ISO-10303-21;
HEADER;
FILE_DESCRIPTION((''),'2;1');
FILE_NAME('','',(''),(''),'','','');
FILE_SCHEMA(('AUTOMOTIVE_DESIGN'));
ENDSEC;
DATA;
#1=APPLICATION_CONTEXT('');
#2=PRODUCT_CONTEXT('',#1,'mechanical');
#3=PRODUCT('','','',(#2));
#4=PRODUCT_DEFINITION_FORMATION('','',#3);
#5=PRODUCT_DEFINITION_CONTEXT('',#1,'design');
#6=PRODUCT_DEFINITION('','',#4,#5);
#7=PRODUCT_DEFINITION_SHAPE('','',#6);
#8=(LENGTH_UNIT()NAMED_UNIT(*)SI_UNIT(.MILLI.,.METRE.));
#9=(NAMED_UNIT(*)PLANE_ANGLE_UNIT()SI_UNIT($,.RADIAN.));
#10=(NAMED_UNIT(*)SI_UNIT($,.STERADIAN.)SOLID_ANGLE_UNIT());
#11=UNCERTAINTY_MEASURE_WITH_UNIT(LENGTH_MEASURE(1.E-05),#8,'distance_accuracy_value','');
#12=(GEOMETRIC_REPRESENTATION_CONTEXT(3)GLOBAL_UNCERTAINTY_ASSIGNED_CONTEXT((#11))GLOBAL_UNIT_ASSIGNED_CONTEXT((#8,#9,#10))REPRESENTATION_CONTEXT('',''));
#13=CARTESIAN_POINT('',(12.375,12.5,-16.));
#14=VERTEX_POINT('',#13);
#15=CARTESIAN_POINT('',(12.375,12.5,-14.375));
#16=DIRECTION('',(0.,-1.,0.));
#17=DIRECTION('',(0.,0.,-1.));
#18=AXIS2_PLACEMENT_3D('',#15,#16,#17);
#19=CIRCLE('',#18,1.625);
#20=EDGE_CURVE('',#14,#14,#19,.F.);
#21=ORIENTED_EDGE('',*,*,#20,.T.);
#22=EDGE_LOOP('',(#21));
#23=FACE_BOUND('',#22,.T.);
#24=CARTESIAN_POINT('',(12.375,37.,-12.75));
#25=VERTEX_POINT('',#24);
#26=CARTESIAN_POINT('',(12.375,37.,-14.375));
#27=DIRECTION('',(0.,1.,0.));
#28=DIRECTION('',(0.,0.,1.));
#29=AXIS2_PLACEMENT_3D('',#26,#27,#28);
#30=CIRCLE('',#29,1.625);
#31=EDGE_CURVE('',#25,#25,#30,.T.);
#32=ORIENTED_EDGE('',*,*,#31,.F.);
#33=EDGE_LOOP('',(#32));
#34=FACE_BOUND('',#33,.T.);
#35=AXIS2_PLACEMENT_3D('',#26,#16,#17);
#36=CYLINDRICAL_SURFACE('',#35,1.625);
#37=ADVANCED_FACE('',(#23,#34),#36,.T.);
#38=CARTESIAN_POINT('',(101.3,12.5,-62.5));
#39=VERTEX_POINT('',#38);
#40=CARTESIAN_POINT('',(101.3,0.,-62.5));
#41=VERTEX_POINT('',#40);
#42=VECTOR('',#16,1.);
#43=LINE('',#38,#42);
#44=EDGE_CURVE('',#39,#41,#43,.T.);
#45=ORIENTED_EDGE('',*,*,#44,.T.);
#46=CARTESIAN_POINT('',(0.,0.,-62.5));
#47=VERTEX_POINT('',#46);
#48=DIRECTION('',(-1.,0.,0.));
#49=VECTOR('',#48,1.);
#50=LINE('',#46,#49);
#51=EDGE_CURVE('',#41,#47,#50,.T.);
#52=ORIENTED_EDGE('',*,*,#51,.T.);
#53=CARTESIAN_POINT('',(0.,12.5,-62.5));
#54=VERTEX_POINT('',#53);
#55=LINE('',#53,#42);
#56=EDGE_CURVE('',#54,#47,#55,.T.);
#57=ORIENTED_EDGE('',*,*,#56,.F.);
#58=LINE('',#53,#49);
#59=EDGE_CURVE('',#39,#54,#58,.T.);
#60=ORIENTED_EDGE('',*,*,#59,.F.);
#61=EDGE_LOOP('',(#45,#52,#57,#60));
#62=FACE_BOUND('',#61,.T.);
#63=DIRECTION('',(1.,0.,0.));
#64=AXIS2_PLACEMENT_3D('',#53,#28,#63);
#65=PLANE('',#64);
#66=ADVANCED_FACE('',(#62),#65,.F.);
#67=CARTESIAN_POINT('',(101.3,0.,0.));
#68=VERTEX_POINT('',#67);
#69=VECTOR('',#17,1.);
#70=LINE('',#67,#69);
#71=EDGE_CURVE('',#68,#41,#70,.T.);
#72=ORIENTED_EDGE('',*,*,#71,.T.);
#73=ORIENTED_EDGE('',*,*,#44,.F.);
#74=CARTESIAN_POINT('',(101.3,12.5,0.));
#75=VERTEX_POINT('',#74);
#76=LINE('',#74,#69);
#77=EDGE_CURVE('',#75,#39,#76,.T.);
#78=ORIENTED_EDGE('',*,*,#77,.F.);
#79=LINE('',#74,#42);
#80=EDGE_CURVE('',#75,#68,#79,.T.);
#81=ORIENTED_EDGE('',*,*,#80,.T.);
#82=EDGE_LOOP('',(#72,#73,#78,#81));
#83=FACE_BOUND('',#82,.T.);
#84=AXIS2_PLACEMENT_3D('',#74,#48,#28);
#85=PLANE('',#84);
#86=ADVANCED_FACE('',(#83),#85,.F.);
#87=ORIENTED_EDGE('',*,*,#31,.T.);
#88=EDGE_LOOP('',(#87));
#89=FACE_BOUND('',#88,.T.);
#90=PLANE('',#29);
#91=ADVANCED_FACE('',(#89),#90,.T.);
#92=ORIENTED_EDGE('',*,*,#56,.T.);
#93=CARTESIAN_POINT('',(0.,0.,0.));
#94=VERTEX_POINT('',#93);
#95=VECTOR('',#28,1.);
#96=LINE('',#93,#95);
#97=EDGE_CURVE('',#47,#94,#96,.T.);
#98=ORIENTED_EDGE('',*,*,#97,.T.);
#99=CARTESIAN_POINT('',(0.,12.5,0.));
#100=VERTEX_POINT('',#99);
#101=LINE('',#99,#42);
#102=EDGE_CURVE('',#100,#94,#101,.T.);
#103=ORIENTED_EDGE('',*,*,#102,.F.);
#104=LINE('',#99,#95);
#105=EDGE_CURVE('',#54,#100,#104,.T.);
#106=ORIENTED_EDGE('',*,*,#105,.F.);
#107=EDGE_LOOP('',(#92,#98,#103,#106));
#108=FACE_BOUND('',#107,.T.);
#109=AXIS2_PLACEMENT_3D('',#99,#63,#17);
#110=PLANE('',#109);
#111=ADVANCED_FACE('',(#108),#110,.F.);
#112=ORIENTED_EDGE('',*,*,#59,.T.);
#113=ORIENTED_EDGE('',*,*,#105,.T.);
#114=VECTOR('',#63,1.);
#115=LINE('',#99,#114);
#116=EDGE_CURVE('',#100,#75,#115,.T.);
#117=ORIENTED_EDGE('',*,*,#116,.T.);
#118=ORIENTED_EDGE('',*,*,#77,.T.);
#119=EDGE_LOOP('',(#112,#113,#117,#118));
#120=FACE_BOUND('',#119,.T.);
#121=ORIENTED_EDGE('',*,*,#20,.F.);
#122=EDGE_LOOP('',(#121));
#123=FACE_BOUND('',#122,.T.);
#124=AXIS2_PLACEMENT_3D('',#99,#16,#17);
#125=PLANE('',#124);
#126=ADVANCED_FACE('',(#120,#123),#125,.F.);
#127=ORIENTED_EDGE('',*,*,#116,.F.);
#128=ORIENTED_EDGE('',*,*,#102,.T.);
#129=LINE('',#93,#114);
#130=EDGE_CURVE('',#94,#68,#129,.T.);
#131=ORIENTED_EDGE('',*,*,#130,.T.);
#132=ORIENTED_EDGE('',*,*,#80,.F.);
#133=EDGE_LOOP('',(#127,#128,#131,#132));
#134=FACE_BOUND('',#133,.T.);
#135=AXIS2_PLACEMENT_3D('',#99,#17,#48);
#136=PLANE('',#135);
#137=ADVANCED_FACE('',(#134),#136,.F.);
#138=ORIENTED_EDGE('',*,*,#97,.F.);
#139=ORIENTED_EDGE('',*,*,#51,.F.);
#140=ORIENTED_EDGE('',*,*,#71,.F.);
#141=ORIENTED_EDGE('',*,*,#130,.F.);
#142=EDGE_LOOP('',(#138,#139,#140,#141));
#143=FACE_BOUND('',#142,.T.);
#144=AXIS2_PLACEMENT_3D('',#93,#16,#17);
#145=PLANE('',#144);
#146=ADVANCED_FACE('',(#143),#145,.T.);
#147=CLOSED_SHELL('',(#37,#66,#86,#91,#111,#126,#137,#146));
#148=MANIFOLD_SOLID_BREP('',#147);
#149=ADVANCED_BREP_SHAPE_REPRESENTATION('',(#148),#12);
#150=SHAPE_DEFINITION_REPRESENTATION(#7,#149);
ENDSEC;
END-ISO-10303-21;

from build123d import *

# Parameters (mm, degrees)
SKETCH1_W           = 101.3
SKETCH1_H           = 62.5
BOSS_EXTRUDE1_DEPTH = 12.5
SKETCH2_R           = 1.625
BOSS_EXTRUDE2_DEPTH = 24.5


with BuildPart() as part:
    # Sketch1 → Boss-Extrude1 (new body)
    with BuildSketch(Plane(origin=(0, 0, 0), x_dir=(1, 0, 0), z_dir=(0, 1, 0))):
        with Locations((50.65, 31.25)):
            Rectangle(SKETCH1_W, SKETCH1_H)
    extrude(amount=BOSS_EXTRUDE1_DEPTH)

    # Sketch2 → Boss-Extrude2 (add)
    with BuildSketch(Plane(origin=(0, 12.5, 0), x_dir=(1, 0, 0), z_dir=(0, 1, 0))):
        with Locations(Location((12.375, 14.375, 0), (0, 0, 90))):
            Circle(SKETCH2_R)
    extrude(amount=BOSS_EXTRUDE2_DEPTH)


solid = part.part
